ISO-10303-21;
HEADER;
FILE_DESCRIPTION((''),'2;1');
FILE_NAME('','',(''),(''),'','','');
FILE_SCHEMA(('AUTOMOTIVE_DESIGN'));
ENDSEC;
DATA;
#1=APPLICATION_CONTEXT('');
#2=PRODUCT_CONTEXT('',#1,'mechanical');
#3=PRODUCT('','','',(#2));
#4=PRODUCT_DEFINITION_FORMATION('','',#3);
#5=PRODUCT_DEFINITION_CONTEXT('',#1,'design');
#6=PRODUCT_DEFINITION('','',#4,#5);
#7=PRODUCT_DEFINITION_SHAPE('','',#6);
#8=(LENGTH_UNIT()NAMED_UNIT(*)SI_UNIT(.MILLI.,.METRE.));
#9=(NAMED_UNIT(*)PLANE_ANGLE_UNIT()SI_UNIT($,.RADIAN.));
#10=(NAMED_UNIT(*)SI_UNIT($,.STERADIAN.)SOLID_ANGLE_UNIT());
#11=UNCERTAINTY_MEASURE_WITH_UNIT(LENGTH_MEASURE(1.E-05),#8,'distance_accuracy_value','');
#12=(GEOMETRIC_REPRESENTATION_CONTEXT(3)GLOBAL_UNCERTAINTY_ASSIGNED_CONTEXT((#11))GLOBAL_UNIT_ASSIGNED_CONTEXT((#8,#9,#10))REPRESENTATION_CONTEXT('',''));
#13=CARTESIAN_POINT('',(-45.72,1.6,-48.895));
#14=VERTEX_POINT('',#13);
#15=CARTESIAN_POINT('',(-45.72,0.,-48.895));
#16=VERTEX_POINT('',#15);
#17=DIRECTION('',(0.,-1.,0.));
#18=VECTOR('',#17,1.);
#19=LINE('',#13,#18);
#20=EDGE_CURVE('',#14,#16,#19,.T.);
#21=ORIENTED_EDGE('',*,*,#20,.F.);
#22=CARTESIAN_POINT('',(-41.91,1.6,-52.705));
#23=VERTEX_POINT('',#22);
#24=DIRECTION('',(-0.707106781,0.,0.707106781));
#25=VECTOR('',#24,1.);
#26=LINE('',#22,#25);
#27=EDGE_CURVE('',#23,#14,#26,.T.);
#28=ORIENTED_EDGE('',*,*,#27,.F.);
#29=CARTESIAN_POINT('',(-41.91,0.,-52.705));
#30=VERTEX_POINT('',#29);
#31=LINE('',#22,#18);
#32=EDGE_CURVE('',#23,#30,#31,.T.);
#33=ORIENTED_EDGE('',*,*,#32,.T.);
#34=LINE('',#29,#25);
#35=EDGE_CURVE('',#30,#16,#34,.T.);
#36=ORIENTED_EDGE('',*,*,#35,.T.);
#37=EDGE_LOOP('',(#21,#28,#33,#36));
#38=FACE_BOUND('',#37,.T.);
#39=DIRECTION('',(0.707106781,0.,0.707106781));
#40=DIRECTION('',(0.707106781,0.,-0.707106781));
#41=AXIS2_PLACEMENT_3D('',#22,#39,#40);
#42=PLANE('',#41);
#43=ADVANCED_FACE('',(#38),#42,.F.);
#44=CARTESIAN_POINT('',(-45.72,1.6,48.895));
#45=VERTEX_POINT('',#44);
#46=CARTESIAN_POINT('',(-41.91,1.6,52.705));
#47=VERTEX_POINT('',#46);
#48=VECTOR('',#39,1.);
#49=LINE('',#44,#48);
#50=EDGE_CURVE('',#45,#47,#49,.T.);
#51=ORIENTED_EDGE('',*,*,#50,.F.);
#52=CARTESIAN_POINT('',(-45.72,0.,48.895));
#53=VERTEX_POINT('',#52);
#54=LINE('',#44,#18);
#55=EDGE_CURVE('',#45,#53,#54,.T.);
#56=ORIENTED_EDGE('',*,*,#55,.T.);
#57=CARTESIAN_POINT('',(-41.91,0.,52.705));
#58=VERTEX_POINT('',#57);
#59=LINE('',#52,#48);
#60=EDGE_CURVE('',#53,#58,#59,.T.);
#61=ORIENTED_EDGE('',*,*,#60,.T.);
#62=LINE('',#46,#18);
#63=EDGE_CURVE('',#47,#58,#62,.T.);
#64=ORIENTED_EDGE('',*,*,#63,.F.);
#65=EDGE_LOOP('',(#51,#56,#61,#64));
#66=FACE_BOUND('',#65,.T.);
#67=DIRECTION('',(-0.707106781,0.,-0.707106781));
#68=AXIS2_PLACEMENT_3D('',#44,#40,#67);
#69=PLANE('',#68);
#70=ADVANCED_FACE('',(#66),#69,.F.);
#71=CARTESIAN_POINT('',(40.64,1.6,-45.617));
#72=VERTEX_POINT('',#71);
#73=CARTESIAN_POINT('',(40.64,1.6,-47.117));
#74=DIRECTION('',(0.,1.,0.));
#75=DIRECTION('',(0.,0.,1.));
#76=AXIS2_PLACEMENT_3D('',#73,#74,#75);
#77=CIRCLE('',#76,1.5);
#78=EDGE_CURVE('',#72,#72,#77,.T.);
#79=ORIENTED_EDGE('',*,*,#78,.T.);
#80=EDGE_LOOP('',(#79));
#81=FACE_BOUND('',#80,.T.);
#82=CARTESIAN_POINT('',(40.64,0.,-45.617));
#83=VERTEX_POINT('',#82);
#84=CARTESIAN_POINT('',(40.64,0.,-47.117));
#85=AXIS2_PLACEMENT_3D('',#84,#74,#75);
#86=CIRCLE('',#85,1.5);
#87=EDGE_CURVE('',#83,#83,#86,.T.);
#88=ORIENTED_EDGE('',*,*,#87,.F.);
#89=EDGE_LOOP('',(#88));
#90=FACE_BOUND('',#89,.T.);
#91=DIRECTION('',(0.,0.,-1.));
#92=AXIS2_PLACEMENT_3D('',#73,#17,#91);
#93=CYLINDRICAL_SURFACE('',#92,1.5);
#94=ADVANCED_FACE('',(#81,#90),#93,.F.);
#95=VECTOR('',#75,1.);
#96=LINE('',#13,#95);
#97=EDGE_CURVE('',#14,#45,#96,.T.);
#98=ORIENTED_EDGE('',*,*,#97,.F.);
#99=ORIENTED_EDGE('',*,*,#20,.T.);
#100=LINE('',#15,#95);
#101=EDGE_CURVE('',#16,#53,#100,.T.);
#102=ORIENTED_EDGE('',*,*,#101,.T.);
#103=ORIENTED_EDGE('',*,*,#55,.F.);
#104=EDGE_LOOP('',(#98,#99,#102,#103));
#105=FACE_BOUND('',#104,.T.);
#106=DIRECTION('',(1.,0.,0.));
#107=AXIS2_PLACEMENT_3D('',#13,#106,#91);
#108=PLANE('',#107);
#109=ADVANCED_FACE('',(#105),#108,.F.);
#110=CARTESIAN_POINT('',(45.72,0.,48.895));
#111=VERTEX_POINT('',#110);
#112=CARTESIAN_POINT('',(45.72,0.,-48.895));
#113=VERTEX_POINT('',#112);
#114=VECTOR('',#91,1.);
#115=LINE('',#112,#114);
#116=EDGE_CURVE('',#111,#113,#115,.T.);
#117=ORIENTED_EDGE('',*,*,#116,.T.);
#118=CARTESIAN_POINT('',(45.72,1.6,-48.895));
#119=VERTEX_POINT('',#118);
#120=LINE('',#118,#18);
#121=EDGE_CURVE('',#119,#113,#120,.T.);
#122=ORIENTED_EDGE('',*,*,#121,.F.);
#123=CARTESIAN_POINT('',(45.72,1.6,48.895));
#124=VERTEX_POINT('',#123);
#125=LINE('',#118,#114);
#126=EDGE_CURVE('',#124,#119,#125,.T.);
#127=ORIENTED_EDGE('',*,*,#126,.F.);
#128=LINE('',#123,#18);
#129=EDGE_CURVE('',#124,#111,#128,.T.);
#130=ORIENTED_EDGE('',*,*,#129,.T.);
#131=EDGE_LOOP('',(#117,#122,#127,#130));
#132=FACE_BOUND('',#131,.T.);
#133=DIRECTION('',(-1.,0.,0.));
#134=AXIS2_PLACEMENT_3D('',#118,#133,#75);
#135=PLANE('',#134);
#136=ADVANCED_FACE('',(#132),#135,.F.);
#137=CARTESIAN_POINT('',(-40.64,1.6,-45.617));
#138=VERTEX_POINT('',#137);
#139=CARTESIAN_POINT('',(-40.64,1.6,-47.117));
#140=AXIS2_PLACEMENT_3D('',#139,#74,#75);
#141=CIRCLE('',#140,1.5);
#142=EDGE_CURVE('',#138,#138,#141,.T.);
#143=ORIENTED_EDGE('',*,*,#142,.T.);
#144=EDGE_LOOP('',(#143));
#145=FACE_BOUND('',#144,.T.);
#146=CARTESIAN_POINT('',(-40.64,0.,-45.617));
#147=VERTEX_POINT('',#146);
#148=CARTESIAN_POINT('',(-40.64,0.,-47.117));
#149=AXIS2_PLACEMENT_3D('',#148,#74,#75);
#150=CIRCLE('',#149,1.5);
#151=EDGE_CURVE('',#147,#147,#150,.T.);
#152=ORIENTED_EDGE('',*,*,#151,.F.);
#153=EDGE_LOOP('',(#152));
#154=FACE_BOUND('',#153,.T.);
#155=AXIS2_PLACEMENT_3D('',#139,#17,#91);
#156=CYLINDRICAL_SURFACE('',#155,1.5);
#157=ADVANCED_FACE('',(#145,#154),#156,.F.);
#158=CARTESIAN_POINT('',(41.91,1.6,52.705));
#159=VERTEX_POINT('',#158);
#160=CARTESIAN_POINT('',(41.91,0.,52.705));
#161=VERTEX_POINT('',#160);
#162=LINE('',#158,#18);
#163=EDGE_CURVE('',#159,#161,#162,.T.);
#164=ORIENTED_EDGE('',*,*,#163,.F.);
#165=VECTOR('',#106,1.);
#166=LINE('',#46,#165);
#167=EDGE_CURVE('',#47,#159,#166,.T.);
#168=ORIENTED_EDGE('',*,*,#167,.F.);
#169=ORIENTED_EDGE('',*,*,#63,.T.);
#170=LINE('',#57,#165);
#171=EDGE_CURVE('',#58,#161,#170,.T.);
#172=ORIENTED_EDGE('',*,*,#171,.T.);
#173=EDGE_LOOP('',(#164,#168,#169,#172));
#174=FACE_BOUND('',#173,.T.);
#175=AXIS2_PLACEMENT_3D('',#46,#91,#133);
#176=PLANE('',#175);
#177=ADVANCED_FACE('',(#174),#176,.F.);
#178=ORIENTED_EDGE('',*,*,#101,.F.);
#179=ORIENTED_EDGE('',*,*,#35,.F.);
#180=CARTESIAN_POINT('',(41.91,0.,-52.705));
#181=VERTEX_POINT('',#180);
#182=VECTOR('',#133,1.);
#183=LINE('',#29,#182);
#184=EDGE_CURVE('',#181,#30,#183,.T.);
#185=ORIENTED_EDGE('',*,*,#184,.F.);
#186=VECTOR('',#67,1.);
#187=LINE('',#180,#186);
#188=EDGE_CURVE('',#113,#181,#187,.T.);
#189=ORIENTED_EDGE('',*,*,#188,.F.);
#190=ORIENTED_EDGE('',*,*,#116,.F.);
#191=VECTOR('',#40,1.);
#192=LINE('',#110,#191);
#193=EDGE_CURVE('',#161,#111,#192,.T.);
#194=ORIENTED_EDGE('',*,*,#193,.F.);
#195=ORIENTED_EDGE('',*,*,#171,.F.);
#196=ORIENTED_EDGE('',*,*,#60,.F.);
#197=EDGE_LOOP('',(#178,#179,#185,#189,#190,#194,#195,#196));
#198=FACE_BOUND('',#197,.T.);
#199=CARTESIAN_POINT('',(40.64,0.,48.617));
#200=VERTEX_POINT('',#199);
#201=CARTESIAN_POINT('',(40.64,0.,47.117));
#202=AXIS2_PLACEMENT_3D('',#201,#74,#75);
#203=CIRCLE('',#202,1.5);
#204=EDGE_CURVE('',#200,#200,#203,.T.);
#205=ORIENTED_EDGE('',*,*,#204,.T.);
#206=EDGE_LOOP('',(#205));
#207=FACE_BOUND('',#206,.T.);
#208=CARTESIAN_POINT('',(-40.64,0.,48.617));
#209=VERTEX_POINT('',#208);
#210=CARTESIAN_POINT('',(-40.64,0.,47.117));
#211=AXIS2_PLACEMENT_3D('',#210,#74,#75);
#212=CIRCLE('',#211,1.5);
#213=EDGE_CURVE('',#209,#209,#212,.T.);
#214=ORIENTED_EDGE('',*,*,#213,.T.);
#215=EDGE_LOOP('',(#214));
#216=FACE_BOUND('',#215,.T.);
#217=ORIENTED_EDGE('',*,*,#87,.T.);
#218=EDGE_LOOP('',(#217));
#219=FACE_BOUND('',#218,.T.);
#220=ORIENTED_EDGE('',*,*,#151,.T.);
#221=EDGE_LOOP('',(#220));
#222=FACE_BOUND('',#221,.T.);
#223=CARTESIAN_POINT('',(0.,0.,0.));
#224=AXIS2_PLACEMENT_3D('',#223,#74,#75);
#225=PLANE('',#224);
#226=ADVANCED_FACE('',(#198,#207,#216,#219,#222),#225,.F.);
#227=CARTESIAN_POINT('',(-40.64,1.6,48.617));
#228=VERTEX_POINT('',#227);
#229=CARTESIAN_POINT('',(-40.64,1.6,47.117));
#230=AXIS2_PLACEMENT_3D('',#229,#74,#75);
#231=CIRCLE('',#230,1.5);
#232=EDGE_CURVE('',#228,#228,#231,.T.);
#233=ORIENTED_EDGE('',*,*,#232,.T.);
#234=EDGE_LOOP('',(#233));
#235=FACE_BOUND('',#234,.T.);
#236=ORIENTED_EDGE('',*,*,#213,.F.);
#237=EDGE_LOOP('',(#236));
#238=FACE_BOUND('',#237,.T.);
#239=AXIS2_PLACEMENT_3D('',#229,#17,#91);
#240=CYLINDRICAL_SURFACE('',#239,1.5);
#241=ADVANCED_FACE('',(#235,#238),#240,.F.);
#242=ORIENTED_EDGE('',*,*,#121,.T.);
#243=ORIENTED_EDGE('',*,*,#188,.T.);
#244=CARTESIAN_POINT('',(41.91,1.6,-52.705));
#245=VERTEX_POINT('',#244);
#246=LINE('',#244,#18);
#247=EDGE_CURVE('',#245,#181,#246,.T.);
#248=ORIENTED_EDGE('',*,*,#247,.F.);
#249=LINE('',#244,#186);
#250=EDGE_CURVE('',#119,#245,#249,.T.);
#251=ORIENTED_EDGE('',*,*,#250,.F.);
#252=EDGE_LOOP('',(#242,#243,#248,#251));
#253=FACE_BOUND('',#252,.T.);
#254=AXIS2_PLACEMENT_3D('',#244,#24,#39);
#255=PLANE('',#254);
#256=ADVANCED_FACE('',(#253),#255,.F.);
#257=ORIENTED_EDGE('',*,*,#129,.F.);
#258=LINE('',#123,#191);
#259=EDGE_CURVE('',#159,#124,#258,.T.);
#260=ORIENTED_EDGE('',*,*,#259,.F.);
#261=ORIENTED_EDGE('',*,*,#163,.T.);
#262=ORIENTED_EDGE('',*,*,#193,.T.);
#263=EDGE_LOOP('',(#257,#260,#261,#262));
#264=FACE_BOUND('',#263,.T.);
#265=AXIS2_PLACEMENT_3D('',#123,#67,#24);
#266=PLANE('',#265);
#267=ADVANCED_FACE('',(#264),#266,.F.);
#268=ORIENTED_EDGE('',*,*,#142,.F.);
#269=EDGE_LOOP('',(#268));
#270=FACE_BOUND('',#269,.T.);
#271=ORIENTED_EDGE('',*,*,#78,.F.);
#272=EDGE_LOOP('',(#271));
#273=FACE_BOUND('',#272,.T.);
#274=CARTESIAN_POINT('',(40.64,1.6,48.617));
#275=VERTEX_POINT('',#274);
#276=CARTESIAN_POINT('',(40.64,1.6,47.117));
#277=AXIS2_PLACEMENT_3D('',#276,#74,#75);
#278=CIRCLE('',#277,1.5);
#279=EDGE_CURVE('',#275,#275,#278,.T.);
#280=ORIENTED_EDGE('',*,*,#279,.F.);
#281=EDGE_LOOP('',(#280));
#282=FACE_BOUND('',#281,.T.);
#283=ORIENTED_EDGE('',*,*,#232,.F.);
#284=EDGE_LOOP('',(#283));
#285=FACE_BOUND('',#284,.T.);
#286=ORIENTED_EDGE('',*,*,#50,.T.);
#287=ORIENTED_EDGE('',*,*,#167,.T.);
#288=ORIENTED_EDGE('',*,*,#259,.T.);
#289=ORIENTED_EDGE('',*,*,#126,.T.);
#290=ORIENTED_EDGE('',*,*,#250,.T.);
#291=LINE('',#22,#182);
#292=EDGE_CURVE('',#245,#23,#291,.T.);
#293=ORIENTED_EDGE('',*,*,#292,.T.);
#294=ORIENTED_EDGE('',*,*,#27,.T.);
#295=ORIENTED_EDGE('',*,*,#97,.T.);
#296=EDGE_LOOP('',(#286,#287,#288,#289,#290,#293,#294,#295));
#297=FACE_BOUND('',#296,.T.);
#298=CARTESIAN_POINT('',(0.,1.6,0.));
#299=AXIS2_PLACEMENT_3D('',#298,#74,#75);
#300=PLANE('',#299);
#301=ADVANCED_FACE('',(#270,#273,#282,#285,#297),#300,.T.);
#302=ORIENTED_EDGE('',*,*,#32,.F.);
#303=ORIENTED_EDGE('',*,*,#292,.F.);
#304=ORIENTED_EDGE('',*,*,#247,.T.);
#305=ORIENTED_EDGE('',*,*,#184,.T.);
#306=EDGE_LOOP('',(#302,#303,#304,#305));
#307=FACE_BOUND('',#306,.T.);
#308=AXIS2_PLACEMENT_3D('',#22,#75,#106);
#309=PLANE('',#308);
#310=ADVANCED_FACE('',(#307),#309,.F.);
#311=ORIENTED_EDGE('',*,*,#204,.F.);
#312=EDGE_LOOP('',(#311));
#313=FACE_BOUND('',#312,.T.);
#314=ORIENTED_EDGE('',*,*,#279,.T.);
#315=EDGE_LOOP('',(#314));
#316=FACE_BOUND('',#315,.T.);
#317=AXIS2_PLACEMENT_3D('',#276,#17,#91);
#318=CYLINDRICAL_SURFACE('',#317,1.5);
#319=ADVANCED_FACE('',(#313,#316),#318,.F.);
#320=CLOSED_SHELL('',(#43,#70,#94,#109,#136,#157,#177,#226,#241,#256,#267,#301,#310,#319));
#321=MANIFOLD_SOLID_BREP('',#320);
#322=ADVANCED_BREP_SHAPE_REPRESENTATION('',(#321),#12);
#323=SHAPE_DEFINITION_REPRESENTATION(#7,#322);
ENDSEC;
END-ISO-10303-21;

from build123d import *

# Parameters (mm, degrees)
REP_RES_R = 1.5
CI_DEPTH  = 1.6


with BuildPart() as part:
    # Repères → CI (new body)
    with BuildSketch(Plane(origin=(0, 0, 0), x_dir=(1, 0, 0), z_dir=(0, 1, 0))):
        Polygon((-41.91, 52.705), (-45.72, 48.895), (-45.72, -48.895), (-41.91, -52.705), (41.91, -52.705), (45.72, -48.895), (45.72, 48.895), (41.91, 52.705), align=None)
        with Locations(Location((-40.64, 47.117, 0), (0, 0, 270))):
            Circle(REP_RES_R, mode=Mode.SUBTRACT)
        with Locations(Location((40.64, 47.117, 0), (0, 0, 270))):
            Circle(REP_RES_R, mode=Mode.SUBTRACT)
        with Locations(Location((40.64, -47.117, 0), (0, 0, 270))):
            Circle(REP_RES_R, mode=Mode.SUBTRACT)
        with Locations(Location((-40.64, -47.117, 0), (0, 0, 270))):
            Circle(REP_RES_R, mode=Mode.SUBTRACT)
    extrude(amount=CI_DEPTH)


solid = part.part
